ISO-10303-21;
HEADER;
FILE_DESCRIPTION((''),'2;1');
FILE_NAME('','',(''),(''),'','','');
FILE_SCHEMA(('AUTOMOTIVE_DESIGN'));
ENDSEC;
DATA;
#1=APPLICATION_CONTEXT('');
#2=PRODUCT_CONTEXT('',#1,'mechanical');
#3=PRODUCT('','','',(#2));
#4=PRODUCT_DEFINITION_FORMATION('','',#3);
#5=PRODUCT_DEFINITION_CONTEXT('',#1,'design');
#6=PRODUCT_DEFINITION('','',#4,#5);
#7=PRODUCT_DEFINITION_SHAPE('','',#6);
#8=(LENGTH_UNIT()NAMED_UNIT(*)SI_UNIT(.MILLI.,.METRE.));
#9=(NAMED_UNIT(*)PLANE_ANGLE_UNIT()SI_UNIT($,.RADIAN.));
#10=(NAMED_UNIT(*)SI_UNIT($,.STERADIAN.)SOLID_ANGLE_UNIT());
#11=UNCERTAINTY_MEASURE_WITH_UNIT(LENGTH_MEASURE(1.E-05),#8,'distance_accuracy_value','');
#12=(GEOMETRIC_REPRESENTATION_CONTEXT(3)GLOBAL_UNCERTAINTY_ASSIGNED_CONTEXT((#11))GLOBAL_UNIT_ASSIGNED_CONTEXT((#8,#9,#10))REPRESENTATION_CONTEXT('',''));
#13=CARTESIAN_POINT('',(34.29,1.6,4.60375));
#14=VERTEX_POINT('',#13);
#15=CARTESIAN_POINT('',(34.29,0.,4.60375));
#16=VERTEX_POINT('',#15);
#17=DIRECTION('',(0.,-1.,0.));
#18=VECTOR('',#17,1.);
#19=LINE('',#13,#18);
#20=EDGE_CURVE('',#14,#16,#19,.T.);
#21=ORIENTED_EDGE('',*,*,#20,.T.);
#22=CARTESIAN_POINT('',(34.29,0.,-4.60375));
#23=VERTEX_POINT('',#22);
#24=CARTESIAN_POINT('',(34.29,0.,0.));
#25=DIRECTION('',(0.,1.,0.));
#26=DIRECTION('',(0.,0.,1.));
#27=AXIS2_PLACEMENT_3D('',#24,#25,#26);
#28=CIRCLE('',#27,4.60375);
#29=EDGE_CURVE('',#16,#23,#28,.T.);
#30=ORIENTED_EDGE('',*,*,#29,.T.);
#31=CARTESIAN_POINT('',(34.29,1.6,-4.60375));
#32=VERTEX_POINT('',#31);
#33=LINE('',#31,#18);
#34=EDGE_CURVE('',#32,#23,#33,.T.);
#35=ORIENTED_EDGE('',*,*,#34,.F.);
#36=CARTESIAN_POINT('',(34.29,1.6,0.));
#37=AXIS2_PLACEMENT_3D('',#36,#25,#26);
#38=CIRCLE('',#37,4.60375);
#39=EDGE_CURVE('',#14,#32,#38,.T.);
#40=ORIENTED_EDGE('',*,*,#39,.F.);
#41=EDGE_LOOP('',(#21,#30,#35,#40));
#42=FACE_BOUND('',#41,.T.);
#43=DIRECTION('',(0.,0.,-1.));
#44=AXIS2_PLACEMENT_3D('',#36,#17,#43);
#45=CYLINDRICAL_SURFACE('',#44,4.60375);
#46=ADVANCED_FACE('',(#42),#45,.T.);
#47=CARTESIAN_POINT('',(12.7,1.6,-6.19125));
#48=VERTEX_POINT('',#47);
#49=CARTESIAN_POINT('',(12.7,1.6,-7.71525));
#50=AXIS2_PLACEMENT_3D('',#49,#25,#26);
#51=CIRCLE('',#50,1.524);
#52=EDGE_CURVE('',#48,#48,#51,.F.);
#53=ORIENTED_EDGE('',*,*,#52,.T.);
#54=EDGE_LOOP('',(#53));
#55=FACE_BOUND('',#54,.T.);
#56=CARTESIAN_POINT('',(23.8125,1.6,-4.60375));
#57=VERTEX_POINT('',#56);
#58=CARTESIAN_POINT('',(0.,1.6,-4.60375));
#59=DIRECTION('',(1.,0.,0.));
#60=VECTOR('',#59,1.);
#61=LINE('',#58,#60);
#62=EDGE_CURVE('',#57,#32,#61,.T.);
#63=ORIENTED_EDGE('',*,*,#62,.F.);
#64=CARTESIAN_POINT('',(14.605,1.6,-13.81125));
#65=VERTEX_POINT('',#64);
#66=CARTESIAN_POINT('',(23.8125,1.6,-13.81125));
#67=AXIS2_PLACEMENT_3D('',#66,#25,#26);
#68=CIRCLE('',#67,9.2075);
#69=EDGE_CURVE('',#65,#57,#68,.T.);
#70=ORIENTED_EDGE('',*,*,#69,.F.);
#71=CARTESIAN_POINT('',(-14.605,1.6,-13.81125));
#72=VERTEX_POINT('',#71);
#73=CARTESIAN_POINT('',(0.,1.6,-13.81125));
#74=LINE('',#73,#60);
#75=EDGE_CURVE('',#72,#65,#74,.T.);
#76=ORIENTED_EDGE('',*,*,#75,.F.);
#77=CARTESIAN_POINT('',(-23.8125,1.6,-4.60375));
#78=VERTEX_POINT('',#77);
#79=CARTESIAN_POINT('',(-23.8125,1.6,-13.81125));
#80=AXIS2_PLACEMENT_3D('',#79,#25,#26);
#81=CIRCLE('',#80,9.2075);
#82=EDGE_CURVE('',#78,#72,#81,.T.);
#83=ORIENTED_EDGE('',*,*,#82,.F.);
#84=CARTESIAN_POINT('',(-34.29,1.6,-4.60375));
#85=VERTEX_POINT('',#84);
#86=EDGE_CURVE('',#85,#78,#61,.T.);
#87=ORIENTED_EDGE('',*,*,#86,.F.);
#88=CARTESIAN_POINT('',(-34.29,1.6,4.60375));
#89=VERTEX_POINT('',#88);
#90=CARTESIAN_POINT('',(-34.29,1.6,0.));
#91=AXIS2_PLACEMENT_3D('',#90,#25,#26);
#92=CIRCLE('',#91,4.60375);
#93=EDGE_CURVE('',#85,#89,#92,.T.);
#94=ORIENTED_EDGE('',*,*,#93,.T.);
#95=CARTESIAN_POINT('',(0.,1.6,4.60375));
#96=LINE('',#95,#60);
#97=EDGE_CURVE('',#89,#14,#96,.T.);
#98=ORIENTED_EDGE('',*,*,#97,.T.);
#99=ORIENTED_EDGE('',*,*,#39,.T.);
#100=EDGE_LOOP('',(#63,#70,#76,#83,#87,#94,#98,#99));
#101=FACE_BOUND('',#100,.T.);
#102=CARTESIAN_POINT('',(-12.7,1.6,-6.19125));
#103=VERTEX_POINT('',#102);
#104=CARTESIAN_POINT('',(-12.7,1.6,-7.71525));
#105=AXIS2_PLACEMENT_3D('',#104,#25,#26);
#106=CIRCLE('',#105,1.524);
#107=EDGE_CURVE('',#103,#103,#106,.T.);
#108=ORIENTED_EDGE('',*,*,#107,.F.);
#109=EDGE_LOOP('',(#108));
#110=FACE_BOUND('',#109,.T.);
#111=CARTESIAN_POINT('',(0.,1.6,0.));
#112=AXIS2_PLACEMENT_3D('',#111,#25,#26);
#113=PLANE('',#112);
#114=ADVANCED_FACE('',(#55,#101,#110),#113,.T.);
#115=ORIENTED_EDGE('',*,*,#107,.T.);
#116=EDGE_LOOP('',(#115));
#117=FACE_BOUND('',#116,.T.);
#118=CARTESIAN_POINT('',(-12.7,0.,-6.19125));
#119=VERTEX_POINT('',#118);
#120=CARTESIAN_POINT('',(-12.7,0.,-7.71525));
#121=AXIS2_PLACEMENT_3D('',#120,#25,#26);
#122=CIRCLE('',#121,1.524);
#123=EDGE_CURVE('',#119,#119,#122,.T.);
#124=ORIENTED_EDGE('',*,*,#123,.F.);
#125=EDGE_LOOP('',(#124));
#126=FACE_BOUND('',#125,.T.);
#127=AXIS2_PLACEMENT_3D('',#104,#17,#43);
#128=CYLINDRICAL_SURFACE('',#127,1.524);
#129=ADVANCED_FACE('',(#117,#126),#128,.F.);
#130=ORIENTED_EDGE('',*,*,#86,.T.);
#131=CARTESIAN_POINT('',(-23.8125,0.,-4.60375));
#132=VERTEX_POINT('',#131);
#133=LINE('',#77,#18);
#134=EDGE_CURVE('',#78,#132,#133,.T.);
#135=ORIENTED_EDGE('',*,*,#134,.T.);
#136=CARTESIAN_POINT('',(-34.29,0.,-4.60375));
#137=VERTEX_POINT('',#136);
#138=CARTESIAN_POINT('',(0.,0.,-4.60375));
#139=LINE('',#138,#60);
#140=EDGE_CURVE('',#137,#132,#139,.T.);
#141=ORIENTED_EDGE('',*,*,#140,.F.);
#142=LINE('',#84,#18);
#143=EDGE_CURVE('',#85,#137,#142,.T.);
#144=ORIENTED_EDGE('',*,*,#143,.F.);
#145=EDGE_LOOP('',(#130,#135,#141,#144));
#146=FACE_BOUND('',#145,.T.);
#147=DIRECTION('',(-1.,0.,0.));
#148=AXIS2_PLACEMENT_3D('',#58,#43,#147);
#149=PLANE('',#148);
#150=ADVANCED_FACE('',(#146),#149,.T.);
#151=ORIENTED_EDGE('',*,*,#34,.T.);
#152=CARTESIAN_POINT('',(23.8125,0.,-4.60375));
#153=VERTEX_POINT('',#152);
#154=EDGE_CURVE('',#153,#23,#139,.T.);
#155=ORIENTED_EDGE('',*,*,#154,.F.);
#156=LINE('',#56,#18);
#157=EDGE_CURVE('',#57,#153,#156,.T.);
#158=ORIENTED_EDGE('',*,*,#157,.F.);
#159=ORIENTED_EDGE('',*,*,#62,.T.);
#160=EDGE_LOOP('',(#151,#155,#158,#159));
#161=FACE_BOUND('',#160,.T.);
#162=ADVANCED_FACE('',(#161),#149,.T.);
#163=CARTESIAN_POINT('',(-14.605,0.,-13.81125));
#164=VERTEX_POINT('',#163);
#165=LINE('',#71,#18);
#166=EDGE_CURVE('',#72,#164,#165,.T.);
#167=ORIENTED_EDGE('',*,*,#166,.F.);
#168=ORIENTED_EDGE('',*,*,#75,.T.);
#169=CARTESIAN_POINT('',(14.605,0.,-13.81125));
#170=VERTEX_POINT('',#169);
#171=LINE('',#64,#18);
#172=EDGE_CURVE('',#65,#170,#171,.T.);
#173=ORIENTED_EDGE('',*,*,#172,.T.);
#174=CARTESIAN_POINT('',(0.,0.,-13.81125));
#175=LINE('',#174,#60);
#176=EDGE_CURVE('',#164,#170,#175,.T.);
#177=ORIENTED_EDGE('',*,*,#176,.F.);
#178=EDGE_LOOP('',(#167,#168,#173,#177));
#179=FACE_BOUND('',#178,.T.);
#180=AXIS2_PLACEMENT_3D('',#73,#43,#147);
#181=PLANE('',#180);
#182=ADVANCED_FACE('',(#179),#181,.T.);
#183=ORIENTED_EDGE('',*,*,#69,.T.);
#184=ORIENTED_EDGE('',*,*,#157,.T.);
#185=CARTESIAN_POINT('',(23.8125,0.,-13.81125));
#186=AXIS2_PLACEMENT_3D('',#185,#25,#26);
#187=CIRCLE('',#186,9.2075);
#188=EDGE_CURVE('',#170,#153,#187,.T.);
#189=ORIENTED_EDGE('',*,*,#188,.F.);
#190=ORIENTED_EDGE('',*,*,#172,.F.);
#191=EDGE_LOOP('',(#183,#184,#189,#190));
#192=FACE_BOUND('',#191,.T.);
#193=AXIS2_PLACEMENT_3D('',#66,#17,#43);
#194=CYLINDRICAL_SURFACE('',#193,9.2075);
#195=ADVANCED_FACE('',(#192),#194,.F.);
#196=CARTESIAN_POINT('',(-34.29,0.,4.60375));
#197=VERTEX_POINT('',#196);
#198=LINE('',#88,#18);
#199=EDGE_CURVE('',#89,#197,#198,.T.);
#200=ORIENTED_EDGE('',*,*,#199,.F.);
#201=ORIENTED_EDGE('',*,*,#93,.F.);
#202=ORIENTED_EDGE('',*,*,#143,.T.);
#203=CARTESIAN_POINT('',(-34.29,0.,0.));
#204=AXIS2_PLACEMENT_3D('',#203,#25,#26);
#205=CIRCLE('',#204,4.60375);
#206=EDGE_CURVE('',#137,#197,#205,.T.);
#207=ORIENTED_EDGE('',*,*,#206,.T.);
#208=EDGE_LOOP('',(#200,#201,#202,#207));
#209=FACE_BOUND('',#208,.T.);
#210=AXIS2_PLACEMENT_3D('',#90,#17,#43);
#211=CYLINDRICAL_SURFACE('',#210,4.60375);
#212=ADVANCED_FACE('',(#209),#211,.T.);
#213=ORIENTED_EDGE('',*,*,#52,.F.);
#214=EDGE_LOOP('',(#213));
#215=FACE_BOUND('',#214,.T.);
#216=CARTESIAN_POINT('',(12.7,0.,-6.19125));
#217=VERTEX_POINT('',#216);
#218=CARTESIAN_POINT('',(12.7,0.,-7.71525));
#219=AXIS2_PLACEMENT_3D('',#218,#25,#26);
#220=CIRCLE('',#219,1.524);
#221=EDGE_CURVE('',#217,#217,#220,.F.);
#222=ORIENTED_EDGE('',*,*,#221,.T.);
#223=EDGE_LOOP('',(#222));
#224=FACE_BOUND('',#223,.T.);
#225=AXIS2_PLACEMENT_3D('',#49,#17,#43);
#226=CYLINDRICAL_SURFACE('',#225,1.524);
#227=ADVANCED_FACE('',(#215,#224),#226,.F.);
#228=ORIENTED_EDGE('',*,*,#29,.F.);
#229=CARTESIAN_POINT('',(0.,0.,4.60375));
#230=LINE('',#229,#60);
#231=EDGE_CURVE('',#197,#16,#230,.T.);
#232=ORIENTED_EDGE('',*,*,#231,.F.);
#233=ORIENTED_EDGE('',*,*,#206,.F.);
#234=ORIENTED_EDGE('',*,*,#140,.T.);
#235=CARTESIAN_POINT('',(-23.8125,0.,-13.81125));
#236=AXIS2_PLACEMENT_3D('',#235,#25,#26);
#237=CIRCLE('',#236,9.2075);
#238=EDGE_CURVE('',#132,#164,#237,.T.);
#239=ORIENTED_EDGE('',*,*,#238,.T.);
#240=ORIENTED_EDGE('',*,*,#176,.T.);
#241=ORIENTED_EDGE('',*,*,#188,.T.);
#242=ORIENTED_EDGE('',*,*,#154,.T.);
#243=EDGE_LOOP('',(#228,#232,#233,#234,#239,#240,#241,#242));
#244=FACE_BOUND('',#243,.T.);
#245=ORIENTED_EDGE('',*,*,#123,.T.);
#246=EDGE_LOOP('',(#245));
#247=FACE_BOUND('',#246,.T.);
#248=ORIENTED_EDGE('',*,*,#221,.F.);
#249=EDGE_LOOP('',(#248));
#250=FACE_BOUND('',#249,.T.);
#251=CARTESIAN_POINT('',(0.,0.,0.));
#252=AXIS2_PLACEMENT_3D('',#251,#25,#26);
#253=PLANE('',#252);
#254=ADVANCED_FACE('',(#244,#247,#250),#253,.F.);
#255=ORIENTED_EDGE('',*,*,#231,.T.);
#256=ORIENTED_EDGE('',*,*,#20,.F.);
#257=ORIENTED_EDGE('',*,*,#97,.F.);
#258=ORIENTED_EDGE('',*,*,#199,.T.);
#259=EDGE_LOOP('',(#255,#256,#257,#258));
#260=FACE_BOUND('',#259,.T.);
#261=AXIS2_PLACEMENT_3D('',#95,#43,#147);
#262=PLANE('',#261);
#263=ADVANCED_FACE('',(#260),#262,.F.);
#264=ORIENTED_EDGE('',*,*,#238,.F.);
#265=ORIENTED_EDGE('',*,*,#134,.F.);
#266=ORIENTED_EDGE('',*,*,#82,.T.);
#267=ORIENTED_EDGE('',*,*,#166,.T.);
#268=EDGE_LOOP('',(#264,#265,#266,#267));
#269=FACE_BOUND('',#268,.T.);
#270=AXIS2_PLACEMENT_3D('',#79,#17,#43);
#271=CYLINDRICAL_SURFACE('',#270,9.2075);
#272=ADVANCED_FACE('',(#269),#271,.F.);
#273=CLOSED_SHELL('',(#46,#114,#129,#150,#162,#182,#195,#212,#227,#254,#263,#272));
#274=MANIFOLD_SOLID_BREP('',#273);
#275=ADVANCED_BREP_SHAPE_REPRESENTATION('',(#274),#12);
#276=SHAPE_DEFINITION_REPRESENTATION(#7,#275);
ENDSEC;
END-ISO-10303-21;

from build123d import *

# Parameters (mm, degrees)
SKETCH1_R           = 1.524
BOSS_EXTRUDE1_DEPTH = 1.6


with BuildPart() as part:
    # Sketch1 → Boss-Extrude1 (new body)
    with BuildSketch(Plane(origin=(0, 0, 0), x_dir=(1, 0, 0), z_dir=(0, 1, 0))):
        with BuildLine():
            Line((-23.8125, 4.60375), (-34.29, 4.60375))
            ThreePointArc((-34.29, 4.60375), (-38.89375, 0), (-34.29, -4.60375))
            Line((-34.29, -4.60375), (34.29, -4.60375))
            ThreePointArc((34.29, -4.60375), (38.89375, 0), (34.29, 4.60375))
            Line((34.29, 4.60375), (23.8125, 4.60375))
            ThreePointArc((23.8125, 4.60375), (17.301814312, 7.300564312), (14.605, 13.81125))
            Line((14.605, 13.81125), (-14.605, 13.81125))
            ThreePointArc((-14.605, 13.81125), (-17.301814312, 7.300564312), (-23.8125, 4.60375))
        make_face()
        with Locations(Location((12.7, 7.71525, 0), (0, 0, 270))):
            Circle(SKETCH1_R, mode=Mode.SUBTRACT)
        with Locations(Location((-12.7, 7.71525, 0), (0, 0, 270))):
            Circle(SKETCH1_R, mode=Mode.SUBTRACT)
    extrude(amount=BOSS_EXTRUDE1_DEPTH)


solid = part.part
